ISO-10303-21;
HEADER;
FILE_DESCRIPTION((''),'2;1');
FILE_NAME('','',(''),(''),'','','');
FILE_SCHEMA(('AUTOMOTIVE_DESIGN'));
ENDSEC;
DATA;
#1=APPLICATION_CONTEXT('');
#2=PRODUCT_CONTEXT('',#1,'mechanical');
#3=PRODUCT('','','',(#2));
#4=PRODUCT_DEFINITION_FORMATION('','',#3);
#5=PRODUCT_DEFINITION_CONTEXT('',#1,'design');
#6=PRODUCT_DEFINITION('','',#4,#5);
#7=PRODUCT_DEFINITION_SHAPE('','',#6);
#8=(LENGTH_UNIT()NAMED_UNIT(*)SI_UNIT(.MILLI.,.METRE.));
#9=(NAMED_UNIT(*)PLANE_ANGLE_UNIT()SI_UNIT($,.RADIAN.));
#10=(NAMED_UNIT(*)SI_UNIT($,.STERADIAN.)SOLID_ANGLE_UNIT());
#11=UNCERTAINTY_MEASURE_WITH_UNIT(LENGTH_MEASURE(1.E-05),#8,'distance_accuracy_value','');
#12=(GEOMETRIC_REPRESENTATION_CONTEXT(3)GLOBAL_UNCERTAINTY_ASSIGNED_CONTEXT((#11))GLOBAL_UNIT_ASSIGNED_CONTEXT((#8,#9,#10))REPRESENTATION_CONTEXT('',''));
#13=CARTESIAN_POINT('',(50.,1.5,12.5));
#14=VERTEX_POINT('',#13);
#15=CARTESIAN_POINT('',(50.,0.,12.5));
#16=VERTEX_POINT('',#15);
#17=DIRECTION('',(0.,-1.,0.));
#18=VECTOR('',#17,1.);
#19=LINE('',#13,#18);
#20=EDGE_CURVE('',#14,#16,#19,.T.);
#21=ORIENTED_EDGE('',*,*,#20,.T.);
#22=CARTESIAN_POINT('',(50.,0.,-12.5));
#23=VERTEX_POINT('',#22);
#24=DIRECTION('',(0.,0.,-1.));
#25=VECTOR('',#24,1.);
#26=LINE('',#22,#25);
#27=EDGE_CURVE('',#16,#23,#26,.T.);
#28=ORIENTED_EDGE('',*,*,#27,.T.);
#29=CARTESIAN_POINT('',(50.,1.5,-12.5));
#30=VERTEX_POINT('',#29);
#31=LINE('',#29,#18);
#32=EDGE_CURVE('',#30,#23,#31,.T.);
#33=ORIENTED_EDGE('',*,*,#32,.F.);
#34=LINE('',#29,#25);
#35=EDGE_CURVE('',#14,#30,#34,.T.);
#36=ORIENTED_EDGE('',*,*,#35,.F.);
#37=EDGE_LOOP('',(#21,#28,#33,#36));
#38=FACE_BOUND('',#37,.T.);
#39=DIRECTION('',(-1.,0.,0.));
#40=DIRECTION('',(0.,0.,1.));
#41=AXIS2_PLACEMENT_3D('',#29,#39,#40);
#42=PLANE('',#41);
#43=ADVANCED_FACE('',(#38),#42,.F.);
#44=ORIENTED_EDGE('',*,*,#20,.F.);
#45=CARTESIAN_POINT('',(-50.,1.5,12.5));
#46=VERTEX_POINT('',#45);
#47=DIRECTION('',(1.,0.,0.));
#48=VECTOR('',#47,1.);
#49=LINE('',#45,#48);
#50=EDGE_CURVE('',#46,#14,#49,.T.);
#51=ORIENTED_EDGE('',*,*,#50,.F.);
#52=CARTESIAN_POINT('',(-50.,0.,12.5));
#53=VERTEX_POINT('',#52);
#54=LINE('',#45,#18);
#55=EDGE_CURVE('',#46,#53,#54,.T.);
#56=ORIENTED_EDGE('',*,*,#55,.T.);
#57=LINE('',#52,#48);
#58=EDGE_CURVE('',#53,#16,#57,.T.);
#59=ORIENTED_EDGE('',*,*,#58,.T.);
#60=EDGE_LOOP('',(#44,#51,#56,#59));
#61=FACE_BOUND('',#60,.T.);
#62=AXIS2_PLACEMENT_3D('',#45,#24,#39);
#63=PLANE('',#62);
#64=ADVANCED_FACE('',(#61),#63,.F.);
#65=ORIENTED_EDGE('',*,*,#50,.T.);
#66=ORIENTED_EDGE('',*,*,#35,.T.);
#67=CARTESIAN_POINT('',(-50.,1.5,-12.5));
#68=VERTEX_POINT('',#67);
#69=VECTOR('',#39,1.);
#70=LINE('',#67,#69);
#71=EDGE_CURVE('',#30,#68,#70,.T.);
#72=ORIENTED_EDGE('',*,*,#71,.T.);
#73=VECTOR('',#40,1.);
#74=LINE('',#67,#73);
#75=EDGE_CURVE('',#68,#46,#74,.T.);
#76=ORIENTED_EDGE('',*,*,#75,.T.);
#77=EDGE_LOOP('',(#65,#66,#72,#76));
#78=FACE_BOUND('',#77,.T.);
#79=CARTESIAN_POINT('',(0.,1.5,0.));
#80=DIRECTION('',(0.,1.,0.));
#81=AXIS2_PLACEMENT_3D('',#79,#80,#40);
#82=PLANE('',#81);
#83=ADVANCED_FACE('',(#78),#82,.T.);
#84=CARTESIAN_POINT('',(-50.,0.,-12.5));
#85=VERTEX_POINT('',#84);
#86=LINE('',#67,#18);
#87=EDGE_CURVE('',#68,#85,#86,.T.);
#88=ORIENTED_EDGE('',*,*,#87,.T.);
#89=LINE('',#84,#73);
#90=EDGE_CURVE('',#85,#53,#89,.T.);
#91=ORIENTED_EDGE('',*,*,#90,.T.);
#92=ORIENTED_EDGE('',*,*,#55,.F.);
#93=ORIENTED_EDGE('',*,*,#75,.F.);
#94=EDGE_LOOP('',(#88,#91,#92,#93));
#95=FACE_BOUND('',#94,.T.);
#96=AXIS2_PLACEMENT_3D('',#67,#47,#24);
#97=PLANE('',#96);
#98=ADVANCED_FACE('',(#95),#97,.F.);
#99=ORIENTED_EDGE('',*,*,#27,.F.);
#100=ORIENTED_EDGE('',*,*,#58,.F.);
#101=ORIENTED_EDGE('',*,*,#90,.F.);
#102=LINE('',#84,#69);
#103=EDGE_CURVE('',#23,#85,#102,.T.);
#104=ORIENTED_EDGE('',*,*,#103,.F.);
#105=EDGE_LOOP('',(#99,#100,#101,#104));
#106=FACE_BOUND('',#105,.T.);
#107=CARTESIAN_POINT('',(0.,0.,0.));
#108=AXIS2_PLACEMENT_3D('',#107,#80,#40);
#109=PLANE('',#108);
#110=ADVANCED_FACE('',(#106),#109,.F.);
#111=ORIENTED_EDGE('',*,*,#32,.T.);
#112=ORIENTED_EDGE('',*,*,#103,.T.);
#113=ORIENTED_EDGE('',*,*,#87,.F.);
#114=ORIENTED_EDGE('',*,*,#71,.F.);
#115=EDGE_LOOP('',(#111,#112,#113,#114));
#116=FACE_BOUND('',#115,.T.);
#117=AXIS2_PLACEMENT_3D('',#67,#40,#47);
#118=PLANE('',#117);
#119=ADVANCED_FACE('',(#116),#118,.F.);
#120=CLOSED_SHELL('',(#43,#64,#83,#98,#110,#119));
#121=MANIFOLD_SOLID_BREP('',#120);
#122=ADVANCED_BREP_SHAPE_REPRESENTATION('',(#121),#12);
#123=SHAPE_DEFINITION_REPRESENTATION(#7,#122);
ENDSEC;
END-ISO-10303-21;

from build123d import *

# Parameters (mm, degrees)
SKETCH_1_W      = 100
SKETCH_1_H      = 25
EXTRUDE_1_DEPTH = 1.5


with BuildPart() as part:
    # Эскиз1 → Бобышка-Вытянуть1 (new body)
    with BuildSketch(Plane(origin=(0, 0, 0), x_dir=(1, 0, 0), z_dir=(0, 1, 0))):
        Rectangle(SKETCH_1_W, SKETCH_1_H)
    extrude(amount=EXTRUDE_1_DEPTH)


solid = part.part
